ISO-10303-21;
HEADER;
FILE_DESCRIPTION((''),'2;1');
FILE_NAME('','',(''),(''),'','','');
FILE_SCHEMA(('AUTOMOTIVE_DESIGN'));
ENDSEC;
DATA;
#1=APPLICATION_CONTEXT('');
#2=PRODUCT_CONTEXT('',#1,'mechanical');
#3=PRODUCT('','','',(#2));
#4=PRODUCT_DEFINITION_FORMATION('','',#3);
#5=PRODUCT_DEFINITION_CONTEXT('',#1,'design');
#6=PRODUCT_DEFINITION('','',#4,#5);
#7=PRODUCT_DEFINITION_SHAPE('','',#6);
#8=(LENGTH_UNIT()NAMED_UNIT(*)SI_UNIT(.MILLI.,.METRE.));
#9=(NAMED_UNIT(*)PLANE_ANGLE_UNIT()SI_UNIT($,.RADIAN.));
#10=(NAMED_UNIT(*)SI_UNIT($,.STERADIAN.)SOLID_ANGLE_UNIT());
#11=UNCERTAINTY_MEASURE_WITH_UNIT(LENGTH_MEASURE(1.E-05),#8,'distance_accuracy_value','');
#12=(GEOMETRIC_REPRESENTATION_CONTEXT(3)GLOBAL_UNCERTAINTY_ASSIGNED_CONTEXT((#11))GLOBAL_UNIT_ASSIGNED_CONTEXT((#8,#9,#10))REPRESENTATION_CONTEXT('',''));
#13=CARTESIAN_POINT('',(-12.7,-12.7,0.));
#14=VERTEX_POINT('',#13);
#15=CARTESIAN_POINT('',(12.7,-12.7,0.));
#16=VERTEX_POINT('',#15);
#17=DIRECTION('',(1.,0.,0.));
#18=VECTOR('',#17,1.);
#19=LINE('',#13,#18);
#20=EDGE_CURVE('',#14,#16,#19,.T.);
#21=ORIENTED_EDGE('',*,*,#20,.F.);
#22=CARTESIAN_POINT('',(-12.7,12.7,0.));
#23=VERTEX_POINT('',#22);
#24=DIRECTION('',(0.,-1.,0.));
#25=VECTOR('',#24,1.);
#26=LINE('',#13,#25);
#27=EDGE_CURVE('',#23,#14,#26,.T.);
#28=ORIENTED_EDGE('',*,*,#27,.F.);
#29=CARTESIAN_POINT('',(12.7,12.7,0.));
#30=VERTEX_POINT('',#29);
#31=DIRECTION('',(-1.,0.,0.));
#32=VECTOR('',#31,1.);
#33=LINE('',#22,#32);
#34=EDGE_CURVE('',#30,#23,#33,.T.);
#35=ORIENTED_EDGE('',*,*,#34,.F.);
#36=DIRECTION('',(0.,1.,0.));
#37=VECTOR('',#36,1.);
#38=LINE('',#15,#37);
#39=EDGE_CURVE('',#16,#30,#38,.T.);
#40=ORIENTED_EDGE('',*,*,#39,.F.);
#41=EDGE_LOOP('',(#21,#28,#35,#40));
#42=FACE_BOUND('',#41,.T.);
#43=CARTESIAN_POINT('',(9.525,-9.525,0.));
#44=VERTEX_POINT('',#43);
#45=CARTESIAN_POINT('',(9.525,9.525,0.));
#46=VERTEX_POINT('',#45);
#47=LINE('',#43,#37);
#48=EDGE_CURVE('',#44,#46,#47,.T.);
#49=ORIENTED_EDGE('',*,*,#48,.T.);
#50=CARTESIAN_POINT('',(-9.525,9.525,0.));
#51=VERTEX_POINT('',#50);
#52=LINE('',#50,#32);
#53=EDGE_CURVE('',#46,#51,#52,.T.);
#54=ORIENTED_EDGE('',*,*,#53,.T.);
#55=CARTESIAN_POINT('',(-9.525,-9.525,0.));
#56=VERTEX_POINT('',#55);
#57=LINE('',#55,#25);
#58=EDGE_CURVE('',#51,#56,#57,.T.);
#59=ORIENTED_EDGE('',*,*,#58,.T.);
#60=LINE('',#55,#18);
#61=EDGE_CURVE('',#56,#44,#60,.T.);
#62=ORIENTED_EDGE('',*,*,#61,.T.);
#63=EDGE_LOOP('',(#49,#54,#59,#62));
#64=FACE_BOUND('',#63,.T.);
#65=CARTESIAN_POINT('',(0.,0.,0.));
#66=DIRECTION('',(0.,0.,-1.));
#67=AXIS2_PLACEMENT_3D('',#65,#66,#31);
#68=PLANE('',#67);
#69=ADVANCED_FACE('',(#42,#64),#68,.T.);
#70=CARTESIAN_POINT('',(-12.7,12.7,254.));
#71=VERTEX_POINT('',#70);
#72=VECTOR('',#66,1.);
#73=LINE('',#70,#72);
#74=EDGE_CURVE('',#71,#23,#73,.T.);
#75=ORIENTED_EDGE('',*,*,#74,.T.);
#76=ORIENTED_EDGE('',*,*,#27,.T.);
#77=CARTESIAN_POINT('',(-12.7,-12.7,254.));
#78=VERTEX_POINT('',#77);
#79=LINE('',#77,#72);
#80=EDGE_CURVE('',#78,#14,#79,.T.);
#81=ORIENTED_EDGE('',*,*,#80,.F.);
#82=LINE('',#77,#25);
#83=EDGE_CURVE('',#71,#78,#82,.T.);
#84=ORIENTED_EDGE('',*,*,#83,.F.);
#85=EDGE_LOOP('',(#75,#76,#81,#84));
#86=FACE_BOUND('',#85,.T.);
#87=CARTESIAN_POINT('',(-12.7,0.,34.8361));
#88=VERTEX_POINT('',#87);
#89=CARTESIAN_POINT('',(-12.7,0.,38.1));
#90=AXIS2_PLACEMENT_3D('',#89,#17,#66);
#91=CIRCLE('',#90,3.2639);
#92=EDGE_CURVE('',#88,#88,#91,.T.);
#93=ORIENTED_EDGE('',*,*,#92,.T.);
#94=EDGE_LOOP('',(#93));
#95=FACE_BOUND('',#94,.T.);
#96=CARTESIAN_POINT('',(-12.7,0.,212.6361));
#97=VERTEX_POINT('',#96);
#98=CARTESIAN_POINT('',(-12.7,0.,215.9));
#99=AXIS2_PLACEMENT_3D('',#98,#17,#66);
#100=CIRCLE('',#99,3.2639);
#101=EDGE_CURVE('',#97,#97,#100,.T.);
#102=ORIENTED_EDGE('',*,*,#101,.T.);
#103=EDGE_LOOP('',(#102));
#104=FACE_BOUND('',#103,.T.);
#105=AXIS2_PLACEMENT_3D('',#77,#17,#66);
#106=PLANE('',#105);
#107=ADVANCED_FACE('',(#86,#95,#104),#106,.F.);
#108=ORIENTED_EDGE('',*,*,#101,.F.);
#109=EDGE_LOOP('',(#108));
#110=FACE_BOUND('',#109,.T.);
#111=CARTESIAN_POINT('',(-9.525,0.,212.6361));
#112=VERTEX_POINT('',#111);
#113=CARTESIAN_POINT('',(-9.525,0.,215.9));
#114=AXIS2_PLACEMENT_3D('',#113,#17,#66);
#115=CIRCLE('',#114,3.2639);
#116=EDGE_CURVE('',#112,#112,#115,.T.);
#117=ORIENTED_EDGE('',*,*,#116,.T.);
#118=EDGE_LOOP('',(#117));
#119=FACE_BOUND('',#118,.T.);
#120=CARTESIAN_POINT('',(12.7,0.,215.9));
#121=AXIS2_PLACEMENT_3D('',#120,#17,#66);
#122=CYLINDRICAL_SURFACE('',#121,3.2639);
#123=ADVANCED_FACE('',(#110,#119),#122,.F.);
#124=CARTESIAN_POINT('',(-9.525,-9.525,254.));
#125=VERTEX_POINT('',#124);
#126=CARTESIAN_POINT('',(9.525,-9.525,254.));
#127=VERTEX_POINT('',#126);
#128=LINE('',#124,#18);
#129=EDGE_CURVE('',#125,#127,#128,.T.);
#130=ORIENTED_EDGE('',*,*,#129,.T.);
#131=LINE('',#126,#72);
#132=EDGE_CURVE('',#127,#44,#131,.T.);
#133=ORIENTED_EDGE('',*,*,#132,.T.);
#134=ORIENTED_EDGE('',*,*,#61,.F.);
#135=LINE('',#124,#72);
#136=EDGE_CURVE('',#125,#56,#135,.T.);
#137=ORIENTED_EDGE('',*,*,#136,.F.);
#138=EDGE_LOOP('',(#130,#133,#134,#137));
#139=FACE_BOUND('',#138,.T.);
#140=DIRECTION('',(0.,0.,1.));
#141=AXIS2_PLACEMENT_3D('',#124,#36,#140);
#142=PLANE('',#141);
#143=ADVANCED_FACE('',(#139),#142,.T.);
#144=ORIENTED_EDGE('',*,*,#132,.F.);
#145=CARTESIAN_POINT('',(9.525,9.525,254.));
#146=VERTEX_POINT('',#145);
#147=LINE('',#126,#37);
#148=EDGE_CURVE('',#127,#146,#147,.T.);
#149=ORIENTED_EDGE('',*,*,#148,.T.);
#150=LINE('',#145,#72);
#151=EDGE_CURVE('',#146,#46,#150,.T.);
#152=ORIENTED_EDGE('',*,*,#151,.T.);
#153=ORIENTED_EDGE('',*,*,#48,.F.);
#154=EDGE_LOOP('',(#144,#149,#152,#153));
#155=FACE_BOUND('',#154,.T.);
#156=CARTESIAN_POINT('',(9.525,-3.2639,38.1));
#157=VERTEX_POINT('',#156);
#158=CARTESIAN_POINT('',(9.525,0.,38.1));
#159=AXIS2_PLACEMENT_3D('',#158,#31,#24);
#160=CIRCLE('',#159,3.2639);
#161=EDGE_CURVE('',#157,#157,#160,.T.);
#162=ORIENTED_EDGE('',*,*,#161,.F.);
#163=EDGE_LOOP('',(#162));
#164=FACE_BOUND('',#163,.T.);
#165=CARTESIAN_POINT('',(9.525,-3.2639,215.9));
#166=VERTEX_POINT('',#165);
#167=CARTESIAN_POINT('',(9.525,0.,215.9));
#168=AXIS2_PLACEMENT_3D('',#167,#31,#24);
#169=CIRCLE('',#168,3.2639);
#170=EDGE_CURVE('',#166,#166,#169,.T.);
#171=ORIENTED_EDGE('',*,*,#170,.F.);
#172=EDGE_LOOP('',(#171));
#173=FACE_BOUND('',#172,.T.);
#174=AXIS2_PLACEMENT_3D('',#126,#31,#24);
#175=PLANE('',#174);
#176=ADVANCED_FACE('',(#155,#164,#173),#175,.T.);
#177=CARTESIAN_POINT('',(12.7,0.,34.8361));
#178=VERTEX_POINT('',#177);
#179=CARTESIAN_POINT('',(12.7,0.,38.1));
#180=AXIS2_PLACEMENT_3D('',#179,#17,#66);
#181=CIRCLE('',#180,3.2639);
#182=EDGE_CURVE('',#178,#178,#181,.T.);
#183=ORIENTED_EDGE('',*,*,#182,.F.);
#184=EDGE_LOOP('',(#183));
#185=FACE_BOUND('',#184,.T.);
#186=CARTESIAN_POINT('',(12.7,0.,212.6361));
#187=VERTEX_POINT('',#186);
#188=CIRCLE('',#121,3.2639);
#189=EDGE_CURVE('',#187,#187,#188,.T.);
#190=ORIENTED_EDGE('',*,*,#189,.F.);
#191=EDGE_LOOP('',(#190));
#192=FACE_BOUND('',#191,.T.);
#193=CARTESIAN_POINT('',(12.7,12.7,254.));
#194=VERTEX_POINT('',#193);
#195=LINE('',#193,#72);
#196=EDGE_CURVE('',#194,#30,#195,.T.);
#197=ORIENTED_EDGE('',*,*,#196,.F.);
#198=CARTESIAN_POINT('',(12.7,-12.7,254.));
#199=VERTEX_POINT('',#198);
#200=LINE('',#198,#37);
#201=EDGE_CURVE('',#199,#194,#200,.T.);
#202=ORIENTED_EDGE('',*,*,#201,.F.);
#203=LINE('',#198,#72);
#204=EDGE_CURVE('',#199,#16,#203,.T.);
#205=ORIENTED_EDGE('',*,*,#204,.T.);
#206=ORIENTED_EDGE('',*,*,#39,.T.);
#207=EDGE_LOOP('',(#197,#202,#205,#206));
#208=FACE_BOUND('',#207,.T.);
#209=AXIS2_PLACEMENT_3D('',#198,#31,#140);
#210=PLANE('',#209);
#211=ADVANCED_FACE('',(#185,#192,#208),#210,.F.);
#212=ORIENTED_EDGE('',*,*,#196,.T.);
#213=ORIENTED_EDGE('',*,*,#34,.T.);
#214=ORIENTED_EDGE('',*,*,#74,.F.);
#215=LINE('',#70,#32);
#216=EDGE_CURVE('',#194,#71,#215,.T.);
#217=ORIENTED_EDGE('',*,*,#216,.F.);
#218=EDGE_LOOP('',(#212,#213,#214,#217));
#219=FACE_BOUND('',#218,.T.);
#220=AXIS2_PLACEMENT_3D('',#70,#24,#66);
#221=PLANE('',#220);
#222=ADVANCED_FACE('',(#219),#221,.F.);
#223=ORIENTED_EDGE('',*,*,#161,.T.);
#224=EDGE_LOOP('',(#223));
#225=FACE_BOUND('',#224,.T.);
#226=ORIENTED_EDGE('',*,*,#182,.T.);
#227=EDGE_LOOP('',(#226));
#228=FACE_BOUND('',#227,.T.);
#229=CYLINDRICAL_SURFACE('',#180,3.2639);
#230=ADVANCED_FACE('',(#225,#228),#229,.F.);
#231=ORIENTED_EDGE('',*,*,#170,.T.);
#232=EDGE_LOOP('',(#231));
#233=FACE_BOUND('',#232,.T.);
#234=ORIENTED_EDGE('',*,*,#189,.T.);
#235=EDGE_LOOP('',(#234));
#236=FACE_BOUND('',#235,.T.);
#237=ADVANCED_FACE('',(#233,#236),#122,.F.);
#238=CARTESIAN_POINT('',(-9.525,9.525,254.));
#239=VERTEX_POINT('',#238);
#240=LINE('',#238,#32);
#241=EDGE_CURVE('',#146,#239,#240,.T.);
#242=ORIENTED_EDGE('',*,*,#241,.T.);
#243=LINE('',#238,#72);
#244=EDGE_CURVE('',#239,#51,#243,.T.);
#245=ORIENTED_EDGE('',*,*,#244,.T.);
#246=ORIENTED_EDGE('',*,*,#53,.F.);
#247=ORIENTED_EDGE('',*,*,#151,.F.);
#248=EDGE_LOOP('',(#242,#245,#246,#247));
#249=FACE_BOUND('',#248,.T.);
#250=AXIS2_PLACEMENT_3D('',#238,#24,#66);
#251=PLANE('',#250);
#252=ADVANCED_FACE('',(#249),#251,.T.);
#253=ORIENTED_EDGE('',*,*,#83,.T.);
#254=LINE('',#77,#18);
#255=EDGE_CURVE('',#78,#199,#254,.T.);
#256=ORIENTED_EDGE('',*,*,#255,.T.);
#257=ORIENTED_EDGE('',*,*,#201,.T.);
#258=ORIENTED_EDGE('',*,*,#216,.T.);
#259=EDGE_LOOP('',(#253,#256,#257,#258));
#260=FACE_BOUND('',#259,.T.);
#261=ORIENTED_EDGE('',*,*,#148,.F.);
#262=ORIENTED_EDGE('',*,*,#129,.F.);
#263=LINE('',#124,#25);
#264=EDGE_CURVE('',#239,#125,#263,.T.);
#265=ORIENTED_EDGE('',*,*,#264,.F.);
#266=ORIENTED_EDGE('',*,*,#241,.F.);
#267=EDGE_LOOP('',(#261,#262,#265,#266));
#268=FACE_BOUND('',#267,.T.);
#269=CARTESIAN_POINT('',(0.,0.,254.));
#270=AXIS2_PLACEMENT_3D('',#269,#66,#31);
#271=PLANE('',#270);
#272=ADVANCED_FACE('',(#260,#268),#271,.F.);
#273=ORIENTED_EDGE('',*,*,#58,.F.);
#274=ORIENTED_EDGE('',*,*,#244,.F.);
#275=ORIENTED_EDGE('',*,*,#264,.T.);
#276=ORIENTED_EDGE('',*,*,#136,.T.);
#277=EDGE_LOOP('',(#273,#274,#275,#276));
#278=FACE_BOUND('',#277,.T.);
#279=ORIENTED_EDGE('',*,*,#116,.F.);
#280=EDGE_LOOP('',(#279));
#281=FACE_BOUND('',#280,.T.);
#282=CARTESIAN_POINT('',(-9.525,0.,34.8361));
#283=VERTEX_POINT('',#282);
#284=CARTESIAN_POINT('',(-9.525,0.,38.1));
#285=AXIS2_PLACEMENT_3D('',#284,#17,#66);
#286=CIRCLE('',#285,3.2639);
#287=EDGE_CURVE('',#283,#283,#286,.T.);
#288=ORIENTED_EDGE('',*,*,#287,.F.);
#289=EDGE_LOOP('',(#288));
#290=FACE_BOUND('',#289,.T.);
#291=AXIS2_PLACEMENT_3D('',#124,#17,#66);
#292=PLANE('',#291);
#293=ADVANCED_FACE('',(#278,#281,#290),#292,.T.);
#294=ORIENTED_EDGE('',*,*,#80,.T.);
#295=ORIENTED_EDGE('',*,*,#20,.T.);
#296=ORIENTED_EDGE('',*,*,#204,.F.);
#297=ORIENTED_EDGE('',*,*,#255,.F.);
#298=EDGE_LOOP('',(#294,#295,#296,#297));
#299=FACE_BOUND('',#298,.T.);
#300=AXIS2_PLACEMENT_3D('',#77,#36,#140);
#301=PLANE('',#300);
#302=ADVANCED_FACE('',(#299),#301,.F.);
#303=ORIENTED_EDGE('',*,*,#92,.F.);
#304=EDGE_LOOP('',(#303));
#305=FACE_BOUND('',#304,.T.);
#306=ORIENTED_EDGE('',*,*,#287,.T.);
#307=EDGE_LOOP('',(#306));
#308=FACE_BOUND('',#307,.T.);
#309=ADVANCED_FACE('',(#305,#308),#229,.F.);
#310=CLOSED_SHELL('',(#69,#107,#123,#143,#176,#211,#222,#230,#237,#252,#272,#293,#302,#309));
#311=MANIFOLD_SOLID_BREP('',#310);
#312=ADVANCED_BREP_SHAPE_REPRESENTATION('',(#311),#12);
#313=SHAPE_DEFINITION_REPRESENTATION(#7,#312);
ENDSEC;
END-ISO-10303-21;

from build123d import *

# Parameters (mm, degrees)
SKETCH1_W                = 25.4
SKETCH1_H                = 25.4
SKETCH1_W_2              = 19.05
SKETCH1_H_2              = 19.05
BOSS_EXTRUDE1_DEPTH      = 254
F_0_257_DIAMETER_HOLE1_D = 6.5278


with BuildPart() as part:
    # Sketch1 → Boss-Extrude1 (new body)
    with BuildSketch(Plane.XY):
        Rectangle(SKETCH1_W, SKETCH1_H)
        Rectangle(SKETCH1_W_2, SKETCH1_H_2, mode=Mode.SUBTRACT)
    extrude(amount=BOSS_EXTRUDE1_DEPTH)

    # F (0.257) Diameter Hole1 (through all)
    with Locations(Plane(origin=(12.7, 0, 0), x_dir=(0, 0, -1), z_dir=(1, 0, 0))):
        with Locations((-215.9, 0), (-38.1, 0)):
            Hole(F_0_257_DIAMETER_HOLE1_D / 2)


solid = part.part
